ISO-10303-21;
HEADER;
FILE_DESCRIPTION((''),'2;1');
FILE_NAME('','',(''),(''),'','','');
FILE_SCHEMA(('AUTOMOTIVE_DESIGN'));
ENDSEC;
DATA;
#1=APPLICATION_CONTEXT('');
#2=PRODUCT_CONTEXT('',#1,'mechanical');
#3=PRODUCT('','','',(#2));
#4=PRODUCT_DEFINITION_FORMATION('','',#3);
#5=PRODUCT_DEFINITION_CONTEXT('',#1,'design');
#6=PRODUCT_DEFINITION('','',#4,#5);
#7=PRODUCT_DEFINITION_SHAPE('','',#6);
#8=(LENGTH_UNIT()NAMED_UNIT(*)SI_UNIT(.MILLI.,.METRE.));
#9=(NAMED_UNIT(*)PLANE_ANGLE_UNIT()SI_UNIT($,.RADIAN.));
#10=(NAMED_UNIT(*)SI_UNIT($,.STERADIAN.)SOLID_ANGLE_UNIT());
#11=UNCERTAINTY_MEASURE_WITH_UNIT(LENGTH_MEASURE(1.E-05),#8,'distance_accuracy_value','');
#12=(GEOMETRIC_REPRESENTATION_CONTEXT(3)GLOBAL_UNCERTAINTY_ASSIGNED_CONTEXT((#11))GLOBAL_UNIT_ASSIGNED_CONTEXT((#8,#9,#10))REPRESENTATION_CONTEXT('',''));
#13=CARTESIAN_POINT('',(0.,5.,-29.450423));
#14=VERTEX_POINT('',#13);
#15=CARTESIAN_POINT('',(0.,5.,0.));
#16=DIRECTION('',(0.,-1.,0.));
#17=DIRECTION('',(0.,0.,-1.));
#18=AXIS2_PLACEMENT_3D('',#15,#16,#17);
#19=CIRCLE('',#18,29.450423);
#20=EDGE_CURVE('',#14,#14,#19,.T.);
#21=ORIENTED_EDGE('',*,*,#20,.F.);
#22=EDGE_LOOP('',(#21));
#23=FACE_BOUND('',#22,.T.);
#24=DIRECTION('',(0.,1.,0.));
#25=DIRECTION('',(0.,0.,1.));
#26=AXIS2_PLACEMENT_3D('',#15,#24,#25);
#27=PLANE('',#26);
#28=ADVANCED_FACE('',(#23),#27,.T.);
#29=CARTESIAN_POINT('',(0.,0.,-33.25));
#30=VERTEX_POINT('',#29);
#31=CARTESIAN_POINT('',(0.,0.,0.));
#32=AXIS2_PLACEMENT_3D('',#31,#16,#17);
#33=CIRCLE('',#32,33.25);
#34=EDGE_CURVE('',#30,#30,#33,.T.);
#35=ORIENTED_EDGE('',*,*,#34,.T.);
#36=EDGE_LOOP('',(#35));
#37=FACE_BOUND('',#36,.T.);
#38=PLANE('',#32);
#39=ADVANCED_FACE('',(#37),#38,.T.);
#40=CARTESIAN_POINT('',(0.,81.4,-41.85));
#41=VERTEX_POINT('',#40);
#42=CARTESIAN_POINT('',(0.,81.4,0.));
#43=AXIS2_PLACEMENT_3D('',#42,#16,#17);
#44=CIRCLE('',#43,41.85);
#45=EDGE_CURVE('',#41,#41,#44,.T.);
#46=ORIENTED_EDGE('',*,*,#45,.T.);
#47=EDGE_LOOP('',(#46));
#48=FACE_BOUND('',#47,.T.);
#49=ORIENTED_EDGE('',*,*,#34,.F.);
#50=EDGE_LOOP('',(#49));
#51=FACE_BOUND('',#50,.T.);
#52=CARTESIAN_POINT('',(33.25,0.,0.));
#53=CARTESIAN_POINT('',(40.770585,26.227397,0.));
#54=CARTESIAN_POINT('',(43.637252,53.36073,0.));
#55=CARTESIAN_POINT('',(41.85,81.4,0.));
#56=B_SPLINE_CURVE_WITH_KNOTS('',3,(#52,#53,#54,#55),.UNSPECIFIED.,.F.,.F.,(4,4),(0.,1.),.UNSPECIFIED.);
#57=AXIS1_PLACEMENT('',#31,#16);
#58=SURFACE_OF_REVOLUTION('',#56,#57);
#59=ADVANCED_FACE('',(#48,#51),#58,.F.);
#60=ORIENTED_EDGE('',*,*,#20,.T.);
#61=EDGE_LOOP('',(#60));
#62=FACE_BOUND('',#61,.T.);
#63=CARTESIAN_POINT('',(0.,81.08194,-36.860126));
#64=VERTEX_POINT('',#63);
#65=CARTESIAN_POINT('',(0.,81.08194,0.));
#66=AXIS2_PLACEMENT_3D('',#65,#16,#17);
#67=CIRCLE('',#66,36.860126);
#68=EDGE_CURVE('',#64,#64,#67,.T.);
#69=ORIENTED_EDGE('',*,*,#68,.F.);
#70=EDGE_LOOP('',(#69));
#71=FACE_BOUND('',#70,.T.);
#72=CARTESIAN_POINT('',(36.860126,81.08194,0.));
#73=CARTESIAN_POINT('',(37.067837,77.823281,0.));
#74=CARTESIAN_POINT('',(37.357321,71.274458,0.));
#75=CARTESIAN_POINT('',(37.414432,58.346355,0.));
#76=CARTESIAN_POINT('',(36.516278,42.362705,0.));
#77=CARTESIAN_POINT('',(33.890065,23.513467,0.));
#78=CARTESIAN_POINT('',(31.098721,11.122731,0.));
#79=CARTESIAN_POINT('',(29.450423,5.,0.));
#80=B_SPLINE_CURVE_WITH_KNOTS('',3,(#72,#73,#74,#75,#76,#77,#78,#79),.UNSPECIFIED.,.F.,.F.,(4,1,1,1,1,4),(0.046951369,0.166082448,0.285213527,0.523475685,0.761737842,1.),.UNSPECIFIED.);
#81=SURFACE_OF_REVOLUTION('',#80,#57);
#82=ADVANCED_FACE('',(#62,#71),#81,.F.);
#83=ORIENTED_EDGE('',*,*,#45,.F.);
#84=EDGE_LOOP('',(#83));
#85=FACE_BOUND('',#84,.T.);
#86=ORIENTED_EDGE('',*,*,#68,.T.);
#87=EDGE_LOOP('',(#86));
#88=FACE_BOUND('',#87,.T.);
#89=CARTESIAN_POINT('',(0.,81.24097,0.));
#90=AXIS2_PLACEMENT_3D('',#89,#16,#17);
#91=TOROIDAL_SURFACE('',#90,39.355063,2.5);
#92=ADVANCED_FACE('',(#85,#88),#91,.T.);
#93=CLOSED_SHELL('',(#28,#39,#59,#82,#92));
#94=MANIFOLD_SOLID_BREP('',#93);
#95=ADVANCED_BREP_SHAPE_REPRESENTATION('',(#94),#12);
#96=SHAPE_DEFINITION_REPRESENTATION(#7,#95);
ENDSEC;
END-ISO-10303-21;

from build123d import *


with BuildPart() as part:
    # Sketch1 → Revolve1 (revolve)
    with BuildSketch(Plane.XY, mode=Mode.PRIVATE) as revolve1_sk:
        with BuildLine():
            Line((0, 0), (33.25, 0))
            add(Edge.make_bspline(
                [(33.25, 0), (40.770585082, 26.227397042), (43.637251749, 53.360730375), (41.85, 81.4)],
                knots=[0, 0, 0, 0, 1, 1, 1, 1], degree=3))
            ThreePointArc((41.85, 81.4), (39.1960334, 83.735906952), (36.860126448, 81.081940352))
            add(Edge.make_bspline(
                [(29.450423152, 5), (31.098721331, 11.122731195), (33.890065025, 23.513467046), (36.51627774, 42.362705396), (37.414431967, 58.346354897), (37.357321389, 71.274458443), (37.067836742, 77.823280829), (36.860126448, 81.081940352)],
                knots=[0.046951369, 0.046951369, 0.046951369, 0.046951369, 0.285213527, 0.523475685, 0.761737842, 0.880868921, 1, 1, 1, 1], degree=3))
            Line((29.450423152, 5), (0, 5))
            Line((0, 5), (0, 0))
        make_face()
    revolve(revolve1_sk.sketch.rotate(Axis((0, 0, 0), (0, 1, 0)), 90), axis=Axis((0, 0, 0), (0, 1, 0)))


solid = part.part
